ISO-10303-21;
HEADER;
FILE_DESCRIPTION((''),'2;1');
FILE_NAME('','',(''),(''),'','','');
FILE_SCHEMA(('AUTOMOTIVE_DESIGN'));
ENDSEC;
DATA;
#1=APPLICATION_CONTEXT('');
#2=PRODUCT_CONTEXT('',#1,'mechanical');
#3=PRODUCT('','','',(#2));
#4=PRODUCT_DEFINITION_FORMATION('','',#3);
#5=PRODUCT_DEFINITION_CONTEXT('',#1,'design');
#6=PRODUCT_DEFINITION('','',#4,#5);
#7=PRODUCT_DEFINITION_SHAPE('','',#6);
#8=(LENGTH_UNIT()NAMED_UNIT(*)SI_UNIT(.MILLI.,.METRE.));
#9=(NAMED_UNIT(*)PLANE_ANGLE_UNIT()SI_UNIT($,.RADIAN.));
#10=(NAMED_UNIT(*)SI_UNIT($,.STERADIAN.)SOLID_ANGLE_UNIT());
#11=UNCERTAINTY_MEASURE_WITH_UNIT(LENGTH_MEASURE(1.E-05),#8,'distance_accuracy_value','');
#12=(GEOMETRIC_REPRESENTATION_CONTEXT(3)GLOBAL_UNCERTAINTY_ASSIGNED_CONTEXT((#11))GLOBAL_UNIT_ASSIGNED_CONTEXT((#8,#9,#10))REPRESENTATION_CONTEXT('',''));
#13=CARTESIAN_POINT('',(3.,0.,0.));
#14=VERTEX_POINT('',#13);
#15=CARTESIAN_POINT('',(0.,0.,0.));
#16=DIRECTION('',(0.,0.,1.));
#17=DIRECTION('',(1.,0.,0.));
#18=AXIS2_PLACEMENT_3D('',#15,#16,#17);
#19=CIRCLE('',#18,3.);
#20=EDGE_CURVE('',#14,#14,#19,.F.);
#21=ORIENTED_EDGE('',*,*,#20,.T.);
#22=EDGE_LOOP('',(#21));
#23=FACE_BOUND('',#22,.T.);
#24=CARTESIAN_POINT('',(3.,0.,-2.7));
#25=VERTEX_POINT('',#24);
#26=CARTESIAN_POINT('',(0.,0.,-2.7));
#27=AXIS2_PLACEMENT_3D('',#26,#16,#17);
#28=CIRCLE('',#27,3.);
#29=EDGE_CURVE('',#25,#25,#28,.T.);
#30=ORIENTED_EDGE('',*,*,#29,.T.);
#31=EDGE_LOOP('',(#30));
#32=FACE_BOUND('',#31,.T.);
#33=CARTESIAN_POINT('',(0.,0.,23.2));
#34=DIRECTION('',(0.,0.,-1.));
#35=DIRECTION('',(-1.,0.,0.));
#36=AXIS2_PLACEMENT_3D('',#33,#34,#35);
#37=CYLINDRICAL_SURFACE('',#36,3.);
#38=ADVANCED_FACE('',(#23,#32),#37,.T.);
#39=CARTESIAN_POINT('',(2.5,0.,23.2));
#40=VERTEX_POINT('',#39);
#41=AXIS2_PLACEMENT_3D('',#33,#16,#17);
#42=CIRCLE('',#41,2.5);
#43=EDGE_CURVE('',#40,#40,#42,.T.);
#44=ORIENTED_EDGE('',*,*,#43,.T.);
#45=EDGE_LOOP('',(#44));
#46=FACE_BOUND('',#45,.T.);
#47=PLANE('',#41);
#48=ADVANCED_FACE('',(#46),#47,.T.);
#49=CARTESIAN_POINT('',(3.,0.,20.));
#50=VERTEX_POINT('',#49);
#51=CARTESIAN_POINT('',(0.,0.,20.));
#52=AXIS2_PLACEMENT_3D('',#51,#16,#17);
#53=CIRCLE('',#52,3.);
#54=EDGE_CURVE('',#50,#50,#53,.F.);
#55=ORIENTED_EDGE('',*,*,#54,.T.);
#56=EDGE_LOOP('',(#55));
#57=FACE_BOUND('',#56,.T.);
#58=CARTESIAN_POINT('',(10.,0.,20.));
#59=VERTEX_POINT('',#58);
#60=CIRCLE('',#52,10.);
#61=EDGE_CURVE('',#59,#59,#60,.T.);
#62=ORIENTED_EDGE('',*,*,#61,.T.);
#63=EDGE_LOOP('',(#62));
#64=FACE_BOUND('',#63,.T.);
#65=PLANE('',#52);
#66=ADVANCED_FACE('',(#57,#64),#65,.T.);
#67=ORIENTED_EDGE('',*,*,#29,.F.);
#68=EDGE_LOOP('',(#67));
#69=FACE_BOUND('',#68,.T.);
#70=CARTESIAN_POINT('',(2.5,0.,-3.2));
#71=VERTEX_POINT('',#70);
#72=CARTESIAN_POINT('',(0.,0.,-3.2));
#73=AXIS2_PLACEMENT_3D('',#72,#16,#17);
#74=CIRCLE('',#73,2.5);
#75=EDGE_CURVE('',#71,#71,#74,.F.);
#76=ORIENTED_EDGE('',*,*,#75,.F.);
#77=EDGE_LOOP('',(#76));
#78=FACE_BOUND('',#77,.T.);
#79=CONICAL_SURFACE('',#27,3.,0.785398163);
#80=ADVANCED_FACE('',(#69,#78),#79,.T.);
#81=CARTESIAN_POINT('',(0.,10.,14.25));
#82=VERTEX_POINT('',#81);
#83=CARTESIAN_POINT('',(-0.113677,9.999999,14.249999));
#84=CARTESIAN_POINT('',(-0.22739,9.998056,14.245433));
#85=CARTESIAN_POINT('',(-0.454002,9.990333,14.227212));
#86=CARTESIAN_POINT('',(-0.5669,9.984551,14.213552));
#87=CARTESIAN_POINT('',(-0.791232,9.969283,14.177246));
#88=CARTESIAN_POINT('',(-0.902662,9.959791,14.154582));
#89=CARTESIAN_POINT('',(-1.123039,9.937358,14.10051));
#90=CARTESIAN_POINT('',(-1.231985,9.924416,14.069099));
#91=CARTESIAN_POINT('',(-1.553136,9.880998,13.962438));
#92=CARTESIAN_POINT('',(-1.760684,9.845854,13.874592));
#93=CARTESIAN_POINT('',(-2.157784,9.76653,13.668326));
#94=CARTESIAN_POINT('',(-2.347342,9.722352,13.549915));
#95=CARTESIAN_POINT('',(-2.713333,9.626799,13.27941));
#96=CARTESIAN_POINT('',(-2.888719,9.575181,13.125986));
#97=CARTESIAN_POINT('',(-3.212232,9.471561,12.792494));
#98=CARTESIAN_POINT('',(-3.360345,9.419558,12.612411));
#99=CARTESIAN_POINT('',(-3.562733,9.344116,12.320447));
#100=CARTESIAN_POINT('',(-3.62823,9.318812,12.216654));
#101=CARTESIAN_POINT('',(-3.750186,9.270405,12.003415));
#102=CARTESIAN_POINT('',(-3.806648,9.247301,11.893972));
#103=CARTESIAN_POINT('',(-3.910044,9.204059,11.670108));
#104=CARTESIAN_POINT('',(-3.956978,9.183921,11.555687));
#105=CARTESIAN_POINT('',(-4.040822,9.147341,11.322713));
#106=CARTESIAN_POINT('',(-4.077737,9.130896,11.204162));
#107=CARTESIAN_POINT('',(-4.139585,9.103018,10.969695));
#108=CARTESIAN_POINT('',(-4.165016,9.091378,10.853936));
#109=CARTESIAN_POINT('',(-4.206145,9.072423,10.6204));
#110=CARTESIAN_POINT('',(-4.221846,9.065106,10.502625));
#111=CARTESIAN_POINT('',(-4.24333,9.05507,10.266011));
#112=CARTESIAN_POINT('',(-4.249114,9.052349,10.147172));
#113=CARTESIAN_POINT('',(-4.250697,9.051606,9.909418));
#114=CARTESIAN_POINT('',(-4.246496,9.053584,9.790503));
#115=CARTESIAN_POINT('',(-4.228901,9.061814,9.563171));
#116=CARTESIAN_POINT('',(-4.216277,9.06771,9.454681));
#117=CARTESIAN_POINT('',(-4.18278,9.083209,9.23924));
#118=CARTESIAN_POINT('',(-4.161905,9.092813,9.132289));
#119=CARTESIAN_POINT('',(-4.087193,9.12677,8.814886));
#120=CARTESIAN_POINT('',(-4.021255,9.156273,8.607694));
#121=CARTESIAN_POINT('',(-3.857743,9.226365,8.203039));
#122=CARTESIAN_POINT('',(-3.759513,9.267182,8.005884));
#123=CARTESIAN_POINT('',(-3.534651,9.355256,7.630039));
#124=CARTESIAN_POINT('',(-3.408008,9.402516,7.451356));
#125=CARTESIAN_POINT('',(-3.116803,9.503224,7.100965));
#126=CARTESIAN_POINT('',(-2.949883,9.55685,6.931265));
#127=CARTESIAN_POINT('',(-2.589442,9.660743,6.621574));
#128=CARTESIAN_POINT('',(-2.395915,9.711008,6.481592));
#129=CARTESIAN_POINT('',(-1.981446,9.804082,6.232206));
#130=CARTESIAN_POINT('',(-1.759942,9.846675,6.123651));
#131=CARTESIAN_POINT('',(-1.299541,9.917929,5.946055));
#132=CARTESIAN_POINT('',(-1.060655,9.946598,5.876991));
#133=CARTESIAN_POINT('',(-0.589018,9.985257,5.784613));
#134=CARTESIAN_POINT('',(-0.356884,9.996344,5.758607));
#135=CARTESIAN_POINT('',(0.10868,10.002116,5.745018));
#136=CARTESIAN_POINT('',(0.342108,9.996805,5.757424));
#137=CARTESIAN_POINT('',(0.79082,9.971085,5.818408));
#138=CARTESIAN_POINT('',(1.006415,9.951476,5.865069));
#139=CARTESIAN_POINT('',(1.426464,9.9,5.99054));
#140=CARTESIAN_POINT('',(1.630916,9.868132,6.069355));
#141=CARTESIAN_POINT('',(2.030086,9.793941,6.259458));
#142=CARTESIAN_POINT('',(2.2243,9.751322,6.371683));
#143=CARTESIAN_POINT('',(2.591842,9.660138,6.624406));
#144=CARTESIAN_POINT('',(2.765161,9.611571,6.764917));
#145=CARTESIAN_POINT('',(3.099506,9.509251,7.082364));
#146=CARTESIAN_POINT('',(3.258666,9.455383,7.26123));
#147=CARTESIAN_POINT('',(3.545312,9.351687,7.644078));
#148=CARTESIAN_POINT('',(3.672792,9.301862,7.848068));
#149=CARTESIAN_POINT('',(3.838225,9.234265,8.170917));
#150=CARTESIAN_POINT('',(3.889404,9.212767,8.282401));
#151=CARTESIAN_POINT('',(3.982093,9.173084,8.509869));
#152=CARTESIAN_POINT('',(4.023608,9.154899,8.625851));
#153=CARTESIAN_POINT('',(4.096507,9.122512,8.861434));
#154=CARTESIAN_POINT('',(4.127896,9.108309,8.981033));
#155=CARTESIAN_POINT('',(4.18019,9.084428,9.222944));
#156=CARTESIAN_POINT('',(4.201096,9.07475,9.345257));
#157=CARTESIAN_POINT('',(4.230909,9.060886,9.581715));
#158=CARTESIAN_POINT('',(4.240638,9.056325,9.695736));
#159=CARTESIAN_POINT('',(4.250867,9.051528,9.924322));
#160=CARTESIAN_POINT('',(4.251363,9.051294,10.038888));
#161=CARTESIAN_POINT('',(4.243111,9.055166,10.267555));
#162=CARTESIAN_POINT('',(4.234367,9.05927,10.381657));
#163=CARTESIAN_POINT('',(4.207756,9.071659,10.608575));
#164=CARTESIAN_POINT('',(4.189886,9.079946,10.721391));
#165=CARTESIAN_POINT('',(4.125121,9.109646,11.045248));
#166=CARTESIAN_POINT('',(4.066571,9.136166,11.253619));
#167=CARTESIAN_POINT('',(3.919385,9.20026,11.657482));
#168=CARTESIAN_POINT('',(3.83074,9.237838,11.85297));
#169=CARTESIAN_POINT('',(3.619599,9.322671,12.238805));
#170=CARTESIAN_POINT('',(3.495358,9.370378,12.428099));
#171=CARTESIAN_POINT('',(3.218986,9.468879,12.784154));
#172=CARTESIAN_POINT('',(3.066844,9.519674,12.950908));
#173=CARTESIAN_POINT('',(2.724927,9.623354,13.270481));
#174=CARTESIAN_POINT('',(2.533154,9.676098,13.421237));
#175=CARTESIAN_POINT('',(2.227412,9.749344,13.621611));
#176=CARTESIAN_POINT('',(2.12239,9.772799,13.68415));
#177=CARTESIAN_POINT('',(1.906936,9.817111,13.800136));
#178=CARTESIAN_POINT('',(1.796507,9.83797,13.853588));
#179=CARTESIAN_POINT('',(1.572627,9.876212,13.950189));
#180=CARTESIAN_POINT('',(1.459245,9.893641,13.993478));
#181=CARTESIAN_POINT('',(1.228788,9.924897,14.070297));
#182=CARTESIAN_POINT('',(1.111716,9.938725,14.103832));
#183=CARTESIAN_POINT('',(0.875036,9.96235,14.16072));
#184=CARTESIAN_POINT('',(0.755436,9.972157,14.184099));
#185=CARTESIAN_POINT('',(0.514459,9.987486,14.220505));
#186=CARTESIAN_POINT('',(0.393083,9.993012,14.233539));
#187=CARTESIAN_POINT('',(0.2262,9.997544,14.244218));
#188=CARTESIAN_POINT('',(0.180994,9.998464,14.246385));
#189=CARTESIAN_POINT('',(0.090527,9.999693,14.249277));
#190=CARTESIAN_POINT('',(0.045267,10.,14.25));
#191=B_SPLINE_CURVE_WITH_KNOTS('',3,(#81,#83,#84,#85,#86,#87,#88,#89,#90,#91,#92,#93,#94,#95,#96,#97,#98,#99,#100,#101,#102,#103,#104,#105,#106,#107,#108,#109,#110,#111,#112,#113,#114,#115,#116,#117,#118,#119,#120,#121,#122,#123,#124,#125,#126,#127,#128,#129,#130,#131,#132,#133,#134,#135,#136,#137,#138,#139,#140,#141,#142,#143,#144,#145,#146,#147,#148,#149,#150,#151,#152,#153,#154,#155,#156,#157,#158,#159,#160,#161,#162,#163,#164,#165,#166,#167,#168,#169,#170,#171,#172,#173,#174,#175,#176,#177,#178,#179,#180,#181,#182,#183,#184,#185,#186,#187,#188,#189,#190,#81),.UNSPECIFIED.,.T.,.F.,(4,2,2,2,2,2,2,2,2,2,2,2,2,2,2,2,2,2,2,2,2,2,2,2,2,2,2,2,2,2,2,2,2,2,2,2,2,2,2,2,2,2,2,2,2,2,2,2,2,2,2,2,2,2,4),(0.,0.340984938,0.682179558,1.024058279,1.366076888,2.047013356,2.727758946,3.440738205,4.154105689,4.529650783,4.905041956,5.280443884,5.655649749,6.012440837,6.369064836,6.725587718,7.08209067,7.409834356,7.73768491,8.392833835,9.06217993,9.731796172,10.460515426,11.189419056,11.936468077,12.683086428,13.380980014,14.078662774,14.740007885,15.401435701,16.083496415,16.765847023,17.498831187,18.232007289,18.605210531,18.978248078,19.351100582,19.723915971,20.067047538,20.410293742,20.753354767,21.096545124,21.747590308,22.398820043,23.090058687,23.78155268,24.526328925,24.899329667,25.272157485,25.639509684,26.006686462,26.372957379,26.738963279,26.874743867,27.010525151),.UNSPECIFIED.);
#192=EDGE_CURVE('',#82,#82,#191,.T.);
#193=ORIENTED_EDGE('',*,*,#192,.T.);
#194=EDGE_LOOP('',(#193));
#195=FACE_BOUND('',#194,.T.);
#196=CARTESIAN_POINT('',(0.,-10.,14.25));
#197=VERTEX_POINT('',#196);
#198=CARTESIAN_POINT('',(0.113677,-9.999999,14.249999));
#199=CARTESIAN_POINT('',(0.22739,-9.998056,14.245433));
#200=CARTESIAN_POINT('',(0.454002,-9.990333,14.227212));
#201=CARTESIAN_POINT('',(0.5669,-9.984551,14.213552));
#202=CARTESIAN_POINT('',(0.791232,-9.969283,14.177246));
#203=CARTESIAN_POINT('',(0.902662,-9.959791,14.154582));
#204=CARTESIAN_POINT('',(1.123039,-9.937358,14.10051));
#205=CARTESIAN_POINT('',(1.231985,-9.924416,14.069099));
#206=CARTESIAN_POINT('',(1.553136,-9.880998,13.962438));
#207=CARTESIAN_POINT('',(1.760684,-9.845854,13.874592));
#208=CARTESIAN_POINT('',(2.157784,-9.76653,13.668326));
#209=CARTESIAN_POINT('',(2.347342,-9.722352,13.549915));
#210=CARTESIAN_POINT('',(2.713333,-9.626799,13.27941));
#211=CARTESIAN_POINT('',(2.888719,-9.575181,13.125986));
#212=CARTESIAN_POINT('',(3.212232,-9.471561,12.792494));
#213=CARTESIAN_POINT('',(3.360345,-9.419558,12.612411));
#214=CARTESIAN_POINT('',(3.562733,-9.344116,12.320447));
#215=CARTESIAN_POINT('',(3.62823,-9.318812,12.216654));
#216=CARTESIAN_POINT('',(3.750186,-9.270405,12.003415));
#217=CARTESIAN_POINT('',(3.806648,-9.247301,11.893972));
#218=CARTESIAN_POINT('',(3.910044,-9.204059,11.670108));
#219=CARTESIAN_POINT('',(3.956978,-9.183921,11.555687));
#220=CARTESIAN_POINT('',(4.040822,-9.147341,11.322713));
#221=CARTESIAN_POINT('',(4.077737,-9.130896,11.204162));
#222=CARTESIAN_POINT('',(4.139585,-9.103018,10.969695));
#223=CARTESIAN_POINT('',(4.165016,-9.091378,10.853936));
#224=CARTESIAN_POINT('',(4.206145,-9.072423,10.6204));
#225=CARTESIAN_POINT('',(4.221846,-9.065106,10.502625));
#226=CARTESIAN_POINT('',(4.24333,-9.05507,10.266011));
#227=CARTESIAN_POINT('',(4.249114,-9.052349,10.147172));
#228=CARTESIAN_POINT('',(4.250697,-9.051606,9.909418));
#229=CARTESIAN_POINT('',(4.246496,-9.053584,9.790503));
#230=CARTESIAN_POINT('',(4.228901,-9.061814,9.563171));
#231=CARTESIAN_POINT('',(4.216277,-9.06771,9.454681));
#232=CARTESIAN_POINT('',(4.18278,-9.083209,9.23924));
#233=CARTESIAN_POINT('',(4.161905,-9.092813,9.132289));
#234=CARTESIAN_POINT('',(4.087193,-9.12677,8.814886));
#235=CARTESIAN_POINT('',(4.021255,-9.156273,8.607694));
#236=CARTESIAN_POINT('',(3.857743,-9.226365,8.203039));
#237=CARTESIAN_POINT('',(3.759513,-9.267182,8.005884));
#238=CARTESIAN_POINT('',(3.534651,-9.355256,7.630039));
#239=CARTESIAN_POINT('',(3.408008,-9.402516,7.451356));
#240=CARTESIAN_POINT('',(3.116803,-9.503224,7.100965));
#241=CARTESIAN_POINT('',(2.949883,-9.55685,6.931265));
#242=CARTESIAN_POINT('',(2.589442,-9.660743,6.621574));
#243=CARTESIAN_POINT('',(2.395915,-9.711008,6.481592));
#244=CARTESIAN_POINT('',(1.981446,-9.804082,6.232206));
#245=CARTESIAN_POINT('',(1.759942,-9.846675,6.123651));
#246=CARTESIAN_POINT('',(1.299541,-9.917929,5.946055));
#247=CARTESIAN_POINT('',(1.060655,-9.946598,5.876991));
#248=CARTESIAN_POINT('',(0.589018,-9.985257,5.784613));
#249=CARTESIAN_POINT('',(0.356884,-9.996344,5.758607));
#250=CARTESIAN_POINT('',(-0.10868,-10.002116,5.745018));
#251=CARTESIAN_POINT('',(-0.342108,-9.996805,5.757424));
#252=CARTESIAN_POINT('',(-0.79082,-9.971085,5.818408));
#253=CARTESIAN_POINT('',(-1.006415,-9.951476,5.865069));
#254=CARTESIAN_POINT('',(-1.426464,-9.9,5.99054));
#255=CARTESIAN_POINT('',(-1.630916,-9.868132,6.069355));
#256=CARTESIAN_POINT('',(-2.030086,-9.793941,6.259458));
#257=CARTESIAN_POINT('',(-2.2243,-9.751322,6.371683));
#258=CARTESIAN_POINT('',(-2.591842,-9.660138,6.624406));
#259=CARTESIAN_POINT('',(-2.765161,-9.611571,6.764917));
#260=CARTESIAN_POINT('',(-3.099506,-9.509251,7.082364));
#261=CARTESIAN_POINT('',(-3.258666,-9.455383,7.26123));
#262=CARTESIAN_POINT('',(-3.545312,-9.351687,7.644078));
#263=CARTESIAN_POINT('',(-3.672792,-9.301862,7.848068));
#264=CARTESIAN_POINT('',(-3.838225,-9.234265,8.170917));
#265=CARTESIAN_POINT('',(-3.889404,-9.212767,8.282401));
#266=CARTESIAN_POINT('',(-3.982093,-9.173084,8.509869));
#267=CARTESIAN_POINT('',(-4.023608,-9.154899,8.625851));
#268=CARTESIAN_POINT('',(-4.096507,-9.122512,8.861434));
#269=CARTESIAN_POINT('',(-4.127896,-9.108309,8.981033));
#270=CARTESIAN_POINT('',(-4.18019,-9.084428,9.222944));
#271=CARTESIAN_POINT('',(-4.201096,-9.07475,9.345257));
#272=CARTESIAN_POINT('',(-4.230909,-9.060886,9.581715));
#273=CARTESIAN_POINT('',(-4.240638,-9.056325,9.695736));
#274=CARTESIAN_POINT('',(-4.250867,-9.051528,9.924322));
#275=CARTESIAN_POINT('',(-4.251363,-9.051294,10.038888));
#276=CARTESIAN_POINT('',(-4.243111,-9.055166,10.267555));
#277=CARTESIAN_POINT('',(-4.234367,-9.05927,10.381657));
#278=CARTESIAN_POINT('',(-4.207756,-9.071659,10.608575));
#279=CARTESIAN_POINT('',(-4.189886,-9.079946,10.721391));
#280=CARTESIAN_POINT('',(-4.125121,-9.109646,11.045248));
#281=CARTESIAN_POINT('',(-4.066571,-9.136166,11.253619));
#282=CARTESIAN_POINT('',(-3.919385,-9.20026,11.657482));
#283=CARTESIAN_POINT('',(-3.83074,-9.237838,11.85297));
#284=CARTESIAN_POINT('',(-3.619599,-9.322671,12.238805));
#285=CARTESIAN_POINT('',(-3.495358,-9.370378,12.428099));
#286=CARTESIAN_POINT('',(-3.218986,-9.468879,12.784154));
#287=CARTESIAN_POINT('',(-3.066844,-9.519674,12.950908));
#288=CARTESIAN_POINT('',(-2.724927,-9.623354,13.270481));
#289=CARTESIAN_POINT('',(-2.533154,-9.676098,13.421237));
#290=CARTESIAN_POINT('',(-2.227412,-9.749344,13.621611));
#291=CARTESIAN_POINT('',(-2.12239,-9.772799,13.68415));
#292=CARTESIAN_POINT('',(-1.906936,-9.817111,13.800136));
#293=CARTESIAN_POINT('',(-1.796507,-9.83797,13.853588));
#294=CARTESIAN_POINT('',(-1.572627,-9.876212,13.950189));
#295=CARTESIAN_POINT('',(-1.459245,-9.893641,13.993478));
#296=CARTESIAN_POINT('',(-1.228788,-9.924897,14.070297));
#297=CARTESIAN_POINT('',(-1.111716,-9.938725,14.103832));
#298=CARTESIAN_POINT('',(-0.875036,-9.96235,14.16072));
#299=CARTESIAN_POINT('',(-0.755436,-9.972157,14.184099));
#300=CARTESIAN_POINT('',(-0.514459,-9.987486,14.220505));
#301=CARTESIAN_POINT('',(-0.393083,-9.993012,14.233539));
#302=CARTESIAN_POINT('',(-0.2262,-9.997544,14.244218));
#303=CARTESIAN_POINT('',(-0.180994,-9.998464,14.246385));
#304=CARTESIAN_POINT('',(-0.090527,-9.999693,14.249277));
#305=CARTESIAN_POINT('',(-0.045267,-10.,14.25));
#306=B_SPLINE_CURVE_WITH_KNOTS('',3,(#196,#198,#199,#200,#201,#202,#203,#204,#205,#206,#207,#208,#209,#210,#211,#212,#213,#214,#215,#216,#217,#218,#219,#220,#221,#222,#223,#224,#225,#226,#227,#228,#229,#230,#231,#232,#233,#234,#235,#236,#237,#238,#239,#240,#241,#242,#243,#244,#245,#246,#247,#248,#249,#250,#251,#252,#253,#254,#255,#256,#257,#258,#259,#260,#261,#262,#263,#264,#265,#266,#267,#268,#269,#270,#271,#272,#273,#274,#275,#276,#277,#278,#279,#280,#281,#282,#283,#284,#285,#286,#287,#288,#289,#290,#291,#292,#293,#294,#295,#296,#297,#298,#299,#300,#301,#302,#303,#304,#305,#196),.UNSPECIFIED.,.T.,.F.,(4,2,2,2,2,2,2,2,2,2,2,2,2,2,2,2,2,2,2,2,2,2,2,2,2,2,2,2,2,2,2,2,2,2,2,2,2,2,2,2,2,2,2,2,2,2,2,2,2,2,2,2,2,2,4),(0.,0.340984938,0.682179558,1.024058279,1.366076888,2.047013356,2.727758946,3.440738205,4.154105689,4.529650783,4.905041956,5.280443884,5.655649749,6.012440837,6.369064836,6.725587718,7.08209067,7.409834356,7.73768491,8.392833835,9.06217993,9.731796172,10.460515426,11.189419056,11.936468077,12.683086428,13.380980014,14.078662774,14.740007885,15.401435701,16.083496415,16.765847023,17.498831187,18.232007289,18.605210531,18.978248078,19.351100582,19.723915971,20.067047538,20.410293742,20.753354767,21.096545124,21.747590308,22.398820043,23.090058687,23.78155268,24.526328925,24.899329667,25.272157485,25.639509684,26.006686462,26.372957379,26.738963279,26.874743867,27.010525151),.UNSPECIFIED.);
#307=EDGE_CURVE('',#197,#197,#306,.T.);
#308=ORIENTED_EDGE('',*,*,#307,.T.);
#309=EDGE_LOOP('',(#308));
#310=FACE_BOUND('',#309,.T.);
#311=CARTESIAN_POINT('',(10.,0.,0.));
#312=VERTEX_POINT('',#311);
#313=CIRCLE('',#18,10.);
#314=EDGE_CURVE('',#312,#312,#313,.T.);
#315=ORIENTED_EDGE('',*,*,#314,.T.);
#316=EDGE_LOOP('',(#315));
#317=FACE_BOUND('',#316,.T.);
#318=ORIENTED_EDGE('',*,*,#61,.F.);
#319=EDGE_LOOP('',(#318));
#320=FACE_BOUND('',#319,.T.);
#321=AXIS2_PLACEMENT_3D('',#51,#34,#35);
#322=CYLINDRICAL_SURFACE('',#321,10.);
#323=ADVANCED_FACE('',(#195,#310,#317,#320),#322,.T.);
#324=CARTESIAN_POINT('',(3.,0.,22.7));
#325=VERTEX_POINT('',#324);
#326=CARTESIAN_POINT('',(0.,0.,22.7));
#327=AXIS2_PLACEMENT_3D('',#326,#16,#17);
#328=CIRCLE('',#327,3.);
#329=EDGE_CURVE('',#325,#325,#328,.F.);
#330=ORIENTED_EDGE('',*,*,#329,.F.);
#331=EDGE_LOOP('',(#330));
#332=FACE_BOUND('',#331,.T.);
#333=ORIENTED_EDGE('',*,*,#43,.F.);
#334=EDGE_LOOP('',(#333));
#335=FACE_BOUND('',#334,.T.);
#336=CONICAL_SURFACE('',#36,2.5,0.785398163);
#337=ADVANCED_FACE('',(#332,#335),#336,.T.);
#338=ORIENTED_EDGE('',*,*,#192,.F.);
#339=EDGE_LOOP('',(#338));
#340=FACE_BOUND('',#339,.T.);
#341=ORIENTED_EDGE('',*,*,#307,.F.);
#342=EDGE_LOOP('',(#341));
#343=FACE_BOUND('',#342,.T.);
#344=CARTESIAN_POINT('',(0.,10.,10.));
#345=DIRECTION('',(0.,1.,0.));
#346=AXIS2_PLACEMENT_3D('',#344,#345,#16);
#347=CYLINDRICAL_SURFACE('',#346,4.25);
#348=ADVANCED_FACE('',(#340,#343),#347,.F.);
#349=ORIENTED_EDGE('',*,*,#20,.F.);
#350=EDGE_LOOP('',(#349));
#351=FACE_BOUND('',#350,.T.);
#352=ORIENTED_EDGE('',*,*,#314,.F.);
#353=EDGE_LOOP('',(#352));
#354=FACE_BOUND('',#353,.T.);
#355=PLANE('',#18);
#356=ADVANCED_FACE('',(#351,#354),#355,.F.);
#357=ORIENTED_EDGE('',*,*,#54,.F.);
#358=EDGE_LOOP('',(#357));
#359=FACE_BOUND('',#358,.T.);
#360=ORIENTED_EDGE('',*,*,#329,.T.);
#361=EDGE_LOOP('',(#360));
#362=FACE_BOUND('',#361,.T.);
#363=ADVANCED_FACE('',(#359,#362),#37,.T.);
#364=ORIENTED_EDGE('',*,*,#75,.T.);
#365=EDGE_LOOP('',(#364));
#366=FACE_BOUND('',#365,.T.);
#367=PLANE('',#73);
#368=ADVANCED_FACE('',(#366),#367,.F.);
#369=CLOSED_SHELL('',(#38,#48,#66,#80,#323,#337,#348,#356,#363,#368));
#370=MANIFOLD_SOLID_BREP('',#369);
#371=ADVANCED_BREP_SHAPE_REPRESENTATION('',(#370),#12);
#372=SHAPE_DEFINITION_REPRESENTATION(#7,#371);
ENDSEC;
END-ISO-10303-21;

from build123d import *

# Parameters (mm, degrees)
SCHIZZO1_R                   = 10
ESTRUSIONE_ESTRUSIONE1_DEPTH = 20
SCHIZZO2_R                   = 3
ESTRUSIONE_ESTRUSIONE2_DEPTH = 13.2
SMUSSO1_SIZE                 = 0.5
FORO_FILETTATO_M10_3_D       = 8.5


with BuildPart() as part:
    # Schizzo1 → Estrusione-Estrusione1 (new body)
    with BuildSketch(Plane.XY):
        Circle(SCHIZZO1_R)
    extrude(amount=ESTRUSIONE_ESTRUSIONE1_DEPTH)

    # Schizzo2 → Estrusione-Estrusione2 (add, symmetric)
    with BuildSketch(Plane.XY.offset(10)):
        Circle(SCHIZZO2_R)
    extrude(amount=ESTRUSIONE_ESTRUSIONE2_DEPTH, both=True)

    # Smusso1
    smusso1_edges = [part.edges().sort_by_distance(p)[0] for p in [
        (-3, 0, -3.2),
        (-3, 0, 23.2),
    ]]
    chamfer(smusso1_edges, length=SMUSSO1_SIZE)

    # Foro filettato M10-3 (through all)
    with Locations(Plane(origin=(0, 10, 10), x_dir=(1, 0, 0), z_dir=(0, 1, 0))):
        with Locations((0, 0)):
            Hole(FORO_FILETTATO_M10_3_D / 2)


solid = part.part
